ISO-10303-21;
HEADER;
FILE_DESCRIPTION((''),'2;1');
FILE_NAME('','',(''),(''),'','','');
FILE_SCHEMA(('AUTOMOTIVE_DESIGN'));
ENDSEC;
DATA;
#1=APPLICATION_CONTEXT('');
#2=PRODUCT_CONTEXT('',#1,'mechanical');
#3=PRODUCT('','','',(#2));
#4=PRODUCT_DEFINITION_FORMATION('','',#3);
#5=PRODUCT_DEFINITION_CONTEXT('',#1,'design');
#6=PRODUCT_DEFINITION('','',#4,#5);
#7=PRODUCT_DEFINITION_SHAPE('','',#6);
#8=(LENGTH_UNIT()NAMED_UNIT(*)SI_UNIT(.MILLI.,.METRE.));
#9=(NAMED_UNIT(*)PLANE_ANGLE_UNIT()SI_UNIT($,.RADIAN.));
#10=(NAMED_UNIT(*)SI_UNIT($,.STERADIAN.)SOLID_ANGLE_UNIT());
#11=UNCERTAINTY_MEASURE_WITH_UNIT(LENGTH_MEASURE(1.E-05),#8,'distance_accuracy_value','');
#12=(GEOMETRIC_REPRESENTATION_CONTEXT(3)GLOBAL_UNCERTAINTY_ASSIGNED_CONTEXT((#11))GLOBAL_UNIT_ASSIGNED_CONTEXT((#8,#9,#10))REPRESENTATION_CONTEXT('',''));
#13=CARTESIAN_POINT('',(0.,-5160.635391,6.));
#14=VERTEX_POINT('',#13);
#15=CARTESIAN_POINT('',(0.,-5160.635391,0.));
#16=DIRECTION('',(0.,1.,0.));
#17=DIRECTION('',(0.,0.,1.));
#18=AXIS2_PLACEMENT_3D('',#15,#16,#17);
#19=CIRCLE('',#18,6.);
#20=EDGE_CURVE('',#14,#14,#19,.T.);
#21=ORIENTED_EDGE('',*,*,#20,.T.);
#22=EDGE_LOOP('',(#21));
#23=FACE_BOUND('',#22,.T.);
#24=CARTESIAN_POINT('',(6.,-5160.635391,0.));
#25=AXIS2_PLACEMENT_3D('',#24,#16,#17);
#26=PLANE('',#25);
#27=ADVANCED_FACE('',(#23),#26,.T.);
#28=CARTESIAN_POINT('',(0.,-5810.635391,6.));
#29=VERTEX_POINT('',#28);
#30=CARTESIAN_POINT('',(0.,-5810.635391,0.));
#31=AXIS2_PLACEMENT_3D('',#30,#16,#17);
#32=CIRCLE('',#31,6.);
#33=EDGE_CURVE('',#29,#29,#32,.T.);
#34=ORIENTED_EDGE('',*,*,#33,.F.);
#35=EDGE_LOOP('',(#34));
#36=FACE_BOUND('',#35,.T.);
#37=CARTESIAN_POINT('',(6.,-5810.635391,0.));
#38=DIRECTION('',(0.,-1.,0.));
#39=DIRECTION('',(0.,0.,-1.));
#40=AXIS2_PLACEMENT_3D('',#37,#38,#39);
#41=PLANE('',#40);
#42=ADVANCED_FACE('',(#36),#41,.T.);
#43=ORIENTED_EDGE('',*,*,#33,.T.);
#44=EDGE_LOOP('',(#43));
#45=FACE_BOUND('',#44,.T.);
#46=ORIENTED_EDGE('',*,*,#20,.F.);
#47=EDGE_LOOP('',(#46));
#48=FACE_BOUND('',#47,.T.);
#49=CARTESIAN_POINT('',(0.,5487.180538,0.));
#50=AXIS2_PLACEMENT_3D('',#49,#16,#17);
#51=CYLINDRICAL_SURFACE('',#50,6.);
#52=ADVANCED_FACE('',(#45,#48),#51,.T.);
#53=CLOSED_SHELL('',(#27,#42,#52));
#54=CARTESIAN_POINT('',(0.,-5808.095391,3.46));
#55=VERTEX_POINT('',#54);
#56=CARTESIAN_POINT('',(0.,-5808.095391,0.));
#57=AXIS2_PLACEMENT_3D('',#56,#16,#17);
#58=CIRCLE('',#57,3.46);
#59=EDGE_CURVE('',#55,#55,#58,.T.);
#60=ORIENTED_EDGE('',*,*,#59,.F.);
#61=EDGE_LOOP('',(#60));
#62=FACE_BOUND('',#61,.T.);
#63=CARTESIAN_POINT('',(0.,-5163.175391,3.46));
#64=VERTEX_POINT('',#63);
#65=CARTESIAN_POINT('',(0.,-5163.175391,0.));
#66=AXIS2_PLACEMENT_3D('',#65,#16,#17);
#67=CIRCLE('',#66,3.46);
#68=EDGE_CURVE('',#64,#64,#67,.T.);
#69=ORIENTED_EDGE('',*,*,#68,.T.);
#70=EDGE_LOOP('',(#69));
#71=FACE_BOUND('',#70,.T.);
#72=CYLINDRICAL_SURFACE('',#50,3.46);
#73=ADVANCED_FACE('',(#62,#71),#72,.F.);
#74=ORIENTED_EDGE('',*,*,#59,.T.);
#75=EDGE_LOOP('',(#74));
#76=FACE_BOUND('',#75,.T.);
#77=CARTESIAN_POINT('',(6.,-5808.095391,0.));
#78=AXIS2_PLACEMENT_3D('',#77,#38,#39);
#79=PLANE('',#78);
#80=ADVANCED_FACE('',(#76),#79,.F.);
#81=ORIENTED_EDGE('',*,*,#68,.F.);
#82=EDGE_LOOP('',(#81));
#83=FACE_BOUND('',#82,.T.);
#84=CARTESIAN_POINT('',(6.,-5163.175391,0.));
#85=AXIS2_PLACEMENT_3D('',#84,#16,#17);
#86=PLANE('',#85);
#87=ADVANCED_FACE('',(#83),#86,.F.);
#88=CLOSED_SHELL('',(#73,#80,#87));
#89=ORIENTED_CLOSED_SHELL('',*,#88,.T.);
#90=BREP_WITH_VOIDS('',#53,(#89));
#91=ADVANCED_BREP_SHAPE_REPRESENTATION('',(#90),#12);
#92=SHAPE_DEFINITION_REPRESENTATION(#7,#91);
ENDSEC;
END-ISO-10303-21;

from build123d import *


with BuildPart() as part:
    # Sketch1 → Revolve-Thin1 (revolve)
    with BuildSketch(Plane.XY, mode=Mode.PRIVATE) as revolve_thin1_sk:
        Polygon((0, -5160.635390525), (6, -5160.635390525), (6, -5810.635390525), (0, -5810.635390525), (0, -5808.095390525), (3.46, -5808.095390525), (3.46, -5163.175390525), (0, -5163.175390525), align=None)
    revolve(revolve_thin1_sk.sketch.rotate(Axis((0, 5487.180537772, 0), (0, -1, 0)), 90), axis=Axis((0, 5487.180537772, 0), (0, -1, 0)))


solid = part.part
